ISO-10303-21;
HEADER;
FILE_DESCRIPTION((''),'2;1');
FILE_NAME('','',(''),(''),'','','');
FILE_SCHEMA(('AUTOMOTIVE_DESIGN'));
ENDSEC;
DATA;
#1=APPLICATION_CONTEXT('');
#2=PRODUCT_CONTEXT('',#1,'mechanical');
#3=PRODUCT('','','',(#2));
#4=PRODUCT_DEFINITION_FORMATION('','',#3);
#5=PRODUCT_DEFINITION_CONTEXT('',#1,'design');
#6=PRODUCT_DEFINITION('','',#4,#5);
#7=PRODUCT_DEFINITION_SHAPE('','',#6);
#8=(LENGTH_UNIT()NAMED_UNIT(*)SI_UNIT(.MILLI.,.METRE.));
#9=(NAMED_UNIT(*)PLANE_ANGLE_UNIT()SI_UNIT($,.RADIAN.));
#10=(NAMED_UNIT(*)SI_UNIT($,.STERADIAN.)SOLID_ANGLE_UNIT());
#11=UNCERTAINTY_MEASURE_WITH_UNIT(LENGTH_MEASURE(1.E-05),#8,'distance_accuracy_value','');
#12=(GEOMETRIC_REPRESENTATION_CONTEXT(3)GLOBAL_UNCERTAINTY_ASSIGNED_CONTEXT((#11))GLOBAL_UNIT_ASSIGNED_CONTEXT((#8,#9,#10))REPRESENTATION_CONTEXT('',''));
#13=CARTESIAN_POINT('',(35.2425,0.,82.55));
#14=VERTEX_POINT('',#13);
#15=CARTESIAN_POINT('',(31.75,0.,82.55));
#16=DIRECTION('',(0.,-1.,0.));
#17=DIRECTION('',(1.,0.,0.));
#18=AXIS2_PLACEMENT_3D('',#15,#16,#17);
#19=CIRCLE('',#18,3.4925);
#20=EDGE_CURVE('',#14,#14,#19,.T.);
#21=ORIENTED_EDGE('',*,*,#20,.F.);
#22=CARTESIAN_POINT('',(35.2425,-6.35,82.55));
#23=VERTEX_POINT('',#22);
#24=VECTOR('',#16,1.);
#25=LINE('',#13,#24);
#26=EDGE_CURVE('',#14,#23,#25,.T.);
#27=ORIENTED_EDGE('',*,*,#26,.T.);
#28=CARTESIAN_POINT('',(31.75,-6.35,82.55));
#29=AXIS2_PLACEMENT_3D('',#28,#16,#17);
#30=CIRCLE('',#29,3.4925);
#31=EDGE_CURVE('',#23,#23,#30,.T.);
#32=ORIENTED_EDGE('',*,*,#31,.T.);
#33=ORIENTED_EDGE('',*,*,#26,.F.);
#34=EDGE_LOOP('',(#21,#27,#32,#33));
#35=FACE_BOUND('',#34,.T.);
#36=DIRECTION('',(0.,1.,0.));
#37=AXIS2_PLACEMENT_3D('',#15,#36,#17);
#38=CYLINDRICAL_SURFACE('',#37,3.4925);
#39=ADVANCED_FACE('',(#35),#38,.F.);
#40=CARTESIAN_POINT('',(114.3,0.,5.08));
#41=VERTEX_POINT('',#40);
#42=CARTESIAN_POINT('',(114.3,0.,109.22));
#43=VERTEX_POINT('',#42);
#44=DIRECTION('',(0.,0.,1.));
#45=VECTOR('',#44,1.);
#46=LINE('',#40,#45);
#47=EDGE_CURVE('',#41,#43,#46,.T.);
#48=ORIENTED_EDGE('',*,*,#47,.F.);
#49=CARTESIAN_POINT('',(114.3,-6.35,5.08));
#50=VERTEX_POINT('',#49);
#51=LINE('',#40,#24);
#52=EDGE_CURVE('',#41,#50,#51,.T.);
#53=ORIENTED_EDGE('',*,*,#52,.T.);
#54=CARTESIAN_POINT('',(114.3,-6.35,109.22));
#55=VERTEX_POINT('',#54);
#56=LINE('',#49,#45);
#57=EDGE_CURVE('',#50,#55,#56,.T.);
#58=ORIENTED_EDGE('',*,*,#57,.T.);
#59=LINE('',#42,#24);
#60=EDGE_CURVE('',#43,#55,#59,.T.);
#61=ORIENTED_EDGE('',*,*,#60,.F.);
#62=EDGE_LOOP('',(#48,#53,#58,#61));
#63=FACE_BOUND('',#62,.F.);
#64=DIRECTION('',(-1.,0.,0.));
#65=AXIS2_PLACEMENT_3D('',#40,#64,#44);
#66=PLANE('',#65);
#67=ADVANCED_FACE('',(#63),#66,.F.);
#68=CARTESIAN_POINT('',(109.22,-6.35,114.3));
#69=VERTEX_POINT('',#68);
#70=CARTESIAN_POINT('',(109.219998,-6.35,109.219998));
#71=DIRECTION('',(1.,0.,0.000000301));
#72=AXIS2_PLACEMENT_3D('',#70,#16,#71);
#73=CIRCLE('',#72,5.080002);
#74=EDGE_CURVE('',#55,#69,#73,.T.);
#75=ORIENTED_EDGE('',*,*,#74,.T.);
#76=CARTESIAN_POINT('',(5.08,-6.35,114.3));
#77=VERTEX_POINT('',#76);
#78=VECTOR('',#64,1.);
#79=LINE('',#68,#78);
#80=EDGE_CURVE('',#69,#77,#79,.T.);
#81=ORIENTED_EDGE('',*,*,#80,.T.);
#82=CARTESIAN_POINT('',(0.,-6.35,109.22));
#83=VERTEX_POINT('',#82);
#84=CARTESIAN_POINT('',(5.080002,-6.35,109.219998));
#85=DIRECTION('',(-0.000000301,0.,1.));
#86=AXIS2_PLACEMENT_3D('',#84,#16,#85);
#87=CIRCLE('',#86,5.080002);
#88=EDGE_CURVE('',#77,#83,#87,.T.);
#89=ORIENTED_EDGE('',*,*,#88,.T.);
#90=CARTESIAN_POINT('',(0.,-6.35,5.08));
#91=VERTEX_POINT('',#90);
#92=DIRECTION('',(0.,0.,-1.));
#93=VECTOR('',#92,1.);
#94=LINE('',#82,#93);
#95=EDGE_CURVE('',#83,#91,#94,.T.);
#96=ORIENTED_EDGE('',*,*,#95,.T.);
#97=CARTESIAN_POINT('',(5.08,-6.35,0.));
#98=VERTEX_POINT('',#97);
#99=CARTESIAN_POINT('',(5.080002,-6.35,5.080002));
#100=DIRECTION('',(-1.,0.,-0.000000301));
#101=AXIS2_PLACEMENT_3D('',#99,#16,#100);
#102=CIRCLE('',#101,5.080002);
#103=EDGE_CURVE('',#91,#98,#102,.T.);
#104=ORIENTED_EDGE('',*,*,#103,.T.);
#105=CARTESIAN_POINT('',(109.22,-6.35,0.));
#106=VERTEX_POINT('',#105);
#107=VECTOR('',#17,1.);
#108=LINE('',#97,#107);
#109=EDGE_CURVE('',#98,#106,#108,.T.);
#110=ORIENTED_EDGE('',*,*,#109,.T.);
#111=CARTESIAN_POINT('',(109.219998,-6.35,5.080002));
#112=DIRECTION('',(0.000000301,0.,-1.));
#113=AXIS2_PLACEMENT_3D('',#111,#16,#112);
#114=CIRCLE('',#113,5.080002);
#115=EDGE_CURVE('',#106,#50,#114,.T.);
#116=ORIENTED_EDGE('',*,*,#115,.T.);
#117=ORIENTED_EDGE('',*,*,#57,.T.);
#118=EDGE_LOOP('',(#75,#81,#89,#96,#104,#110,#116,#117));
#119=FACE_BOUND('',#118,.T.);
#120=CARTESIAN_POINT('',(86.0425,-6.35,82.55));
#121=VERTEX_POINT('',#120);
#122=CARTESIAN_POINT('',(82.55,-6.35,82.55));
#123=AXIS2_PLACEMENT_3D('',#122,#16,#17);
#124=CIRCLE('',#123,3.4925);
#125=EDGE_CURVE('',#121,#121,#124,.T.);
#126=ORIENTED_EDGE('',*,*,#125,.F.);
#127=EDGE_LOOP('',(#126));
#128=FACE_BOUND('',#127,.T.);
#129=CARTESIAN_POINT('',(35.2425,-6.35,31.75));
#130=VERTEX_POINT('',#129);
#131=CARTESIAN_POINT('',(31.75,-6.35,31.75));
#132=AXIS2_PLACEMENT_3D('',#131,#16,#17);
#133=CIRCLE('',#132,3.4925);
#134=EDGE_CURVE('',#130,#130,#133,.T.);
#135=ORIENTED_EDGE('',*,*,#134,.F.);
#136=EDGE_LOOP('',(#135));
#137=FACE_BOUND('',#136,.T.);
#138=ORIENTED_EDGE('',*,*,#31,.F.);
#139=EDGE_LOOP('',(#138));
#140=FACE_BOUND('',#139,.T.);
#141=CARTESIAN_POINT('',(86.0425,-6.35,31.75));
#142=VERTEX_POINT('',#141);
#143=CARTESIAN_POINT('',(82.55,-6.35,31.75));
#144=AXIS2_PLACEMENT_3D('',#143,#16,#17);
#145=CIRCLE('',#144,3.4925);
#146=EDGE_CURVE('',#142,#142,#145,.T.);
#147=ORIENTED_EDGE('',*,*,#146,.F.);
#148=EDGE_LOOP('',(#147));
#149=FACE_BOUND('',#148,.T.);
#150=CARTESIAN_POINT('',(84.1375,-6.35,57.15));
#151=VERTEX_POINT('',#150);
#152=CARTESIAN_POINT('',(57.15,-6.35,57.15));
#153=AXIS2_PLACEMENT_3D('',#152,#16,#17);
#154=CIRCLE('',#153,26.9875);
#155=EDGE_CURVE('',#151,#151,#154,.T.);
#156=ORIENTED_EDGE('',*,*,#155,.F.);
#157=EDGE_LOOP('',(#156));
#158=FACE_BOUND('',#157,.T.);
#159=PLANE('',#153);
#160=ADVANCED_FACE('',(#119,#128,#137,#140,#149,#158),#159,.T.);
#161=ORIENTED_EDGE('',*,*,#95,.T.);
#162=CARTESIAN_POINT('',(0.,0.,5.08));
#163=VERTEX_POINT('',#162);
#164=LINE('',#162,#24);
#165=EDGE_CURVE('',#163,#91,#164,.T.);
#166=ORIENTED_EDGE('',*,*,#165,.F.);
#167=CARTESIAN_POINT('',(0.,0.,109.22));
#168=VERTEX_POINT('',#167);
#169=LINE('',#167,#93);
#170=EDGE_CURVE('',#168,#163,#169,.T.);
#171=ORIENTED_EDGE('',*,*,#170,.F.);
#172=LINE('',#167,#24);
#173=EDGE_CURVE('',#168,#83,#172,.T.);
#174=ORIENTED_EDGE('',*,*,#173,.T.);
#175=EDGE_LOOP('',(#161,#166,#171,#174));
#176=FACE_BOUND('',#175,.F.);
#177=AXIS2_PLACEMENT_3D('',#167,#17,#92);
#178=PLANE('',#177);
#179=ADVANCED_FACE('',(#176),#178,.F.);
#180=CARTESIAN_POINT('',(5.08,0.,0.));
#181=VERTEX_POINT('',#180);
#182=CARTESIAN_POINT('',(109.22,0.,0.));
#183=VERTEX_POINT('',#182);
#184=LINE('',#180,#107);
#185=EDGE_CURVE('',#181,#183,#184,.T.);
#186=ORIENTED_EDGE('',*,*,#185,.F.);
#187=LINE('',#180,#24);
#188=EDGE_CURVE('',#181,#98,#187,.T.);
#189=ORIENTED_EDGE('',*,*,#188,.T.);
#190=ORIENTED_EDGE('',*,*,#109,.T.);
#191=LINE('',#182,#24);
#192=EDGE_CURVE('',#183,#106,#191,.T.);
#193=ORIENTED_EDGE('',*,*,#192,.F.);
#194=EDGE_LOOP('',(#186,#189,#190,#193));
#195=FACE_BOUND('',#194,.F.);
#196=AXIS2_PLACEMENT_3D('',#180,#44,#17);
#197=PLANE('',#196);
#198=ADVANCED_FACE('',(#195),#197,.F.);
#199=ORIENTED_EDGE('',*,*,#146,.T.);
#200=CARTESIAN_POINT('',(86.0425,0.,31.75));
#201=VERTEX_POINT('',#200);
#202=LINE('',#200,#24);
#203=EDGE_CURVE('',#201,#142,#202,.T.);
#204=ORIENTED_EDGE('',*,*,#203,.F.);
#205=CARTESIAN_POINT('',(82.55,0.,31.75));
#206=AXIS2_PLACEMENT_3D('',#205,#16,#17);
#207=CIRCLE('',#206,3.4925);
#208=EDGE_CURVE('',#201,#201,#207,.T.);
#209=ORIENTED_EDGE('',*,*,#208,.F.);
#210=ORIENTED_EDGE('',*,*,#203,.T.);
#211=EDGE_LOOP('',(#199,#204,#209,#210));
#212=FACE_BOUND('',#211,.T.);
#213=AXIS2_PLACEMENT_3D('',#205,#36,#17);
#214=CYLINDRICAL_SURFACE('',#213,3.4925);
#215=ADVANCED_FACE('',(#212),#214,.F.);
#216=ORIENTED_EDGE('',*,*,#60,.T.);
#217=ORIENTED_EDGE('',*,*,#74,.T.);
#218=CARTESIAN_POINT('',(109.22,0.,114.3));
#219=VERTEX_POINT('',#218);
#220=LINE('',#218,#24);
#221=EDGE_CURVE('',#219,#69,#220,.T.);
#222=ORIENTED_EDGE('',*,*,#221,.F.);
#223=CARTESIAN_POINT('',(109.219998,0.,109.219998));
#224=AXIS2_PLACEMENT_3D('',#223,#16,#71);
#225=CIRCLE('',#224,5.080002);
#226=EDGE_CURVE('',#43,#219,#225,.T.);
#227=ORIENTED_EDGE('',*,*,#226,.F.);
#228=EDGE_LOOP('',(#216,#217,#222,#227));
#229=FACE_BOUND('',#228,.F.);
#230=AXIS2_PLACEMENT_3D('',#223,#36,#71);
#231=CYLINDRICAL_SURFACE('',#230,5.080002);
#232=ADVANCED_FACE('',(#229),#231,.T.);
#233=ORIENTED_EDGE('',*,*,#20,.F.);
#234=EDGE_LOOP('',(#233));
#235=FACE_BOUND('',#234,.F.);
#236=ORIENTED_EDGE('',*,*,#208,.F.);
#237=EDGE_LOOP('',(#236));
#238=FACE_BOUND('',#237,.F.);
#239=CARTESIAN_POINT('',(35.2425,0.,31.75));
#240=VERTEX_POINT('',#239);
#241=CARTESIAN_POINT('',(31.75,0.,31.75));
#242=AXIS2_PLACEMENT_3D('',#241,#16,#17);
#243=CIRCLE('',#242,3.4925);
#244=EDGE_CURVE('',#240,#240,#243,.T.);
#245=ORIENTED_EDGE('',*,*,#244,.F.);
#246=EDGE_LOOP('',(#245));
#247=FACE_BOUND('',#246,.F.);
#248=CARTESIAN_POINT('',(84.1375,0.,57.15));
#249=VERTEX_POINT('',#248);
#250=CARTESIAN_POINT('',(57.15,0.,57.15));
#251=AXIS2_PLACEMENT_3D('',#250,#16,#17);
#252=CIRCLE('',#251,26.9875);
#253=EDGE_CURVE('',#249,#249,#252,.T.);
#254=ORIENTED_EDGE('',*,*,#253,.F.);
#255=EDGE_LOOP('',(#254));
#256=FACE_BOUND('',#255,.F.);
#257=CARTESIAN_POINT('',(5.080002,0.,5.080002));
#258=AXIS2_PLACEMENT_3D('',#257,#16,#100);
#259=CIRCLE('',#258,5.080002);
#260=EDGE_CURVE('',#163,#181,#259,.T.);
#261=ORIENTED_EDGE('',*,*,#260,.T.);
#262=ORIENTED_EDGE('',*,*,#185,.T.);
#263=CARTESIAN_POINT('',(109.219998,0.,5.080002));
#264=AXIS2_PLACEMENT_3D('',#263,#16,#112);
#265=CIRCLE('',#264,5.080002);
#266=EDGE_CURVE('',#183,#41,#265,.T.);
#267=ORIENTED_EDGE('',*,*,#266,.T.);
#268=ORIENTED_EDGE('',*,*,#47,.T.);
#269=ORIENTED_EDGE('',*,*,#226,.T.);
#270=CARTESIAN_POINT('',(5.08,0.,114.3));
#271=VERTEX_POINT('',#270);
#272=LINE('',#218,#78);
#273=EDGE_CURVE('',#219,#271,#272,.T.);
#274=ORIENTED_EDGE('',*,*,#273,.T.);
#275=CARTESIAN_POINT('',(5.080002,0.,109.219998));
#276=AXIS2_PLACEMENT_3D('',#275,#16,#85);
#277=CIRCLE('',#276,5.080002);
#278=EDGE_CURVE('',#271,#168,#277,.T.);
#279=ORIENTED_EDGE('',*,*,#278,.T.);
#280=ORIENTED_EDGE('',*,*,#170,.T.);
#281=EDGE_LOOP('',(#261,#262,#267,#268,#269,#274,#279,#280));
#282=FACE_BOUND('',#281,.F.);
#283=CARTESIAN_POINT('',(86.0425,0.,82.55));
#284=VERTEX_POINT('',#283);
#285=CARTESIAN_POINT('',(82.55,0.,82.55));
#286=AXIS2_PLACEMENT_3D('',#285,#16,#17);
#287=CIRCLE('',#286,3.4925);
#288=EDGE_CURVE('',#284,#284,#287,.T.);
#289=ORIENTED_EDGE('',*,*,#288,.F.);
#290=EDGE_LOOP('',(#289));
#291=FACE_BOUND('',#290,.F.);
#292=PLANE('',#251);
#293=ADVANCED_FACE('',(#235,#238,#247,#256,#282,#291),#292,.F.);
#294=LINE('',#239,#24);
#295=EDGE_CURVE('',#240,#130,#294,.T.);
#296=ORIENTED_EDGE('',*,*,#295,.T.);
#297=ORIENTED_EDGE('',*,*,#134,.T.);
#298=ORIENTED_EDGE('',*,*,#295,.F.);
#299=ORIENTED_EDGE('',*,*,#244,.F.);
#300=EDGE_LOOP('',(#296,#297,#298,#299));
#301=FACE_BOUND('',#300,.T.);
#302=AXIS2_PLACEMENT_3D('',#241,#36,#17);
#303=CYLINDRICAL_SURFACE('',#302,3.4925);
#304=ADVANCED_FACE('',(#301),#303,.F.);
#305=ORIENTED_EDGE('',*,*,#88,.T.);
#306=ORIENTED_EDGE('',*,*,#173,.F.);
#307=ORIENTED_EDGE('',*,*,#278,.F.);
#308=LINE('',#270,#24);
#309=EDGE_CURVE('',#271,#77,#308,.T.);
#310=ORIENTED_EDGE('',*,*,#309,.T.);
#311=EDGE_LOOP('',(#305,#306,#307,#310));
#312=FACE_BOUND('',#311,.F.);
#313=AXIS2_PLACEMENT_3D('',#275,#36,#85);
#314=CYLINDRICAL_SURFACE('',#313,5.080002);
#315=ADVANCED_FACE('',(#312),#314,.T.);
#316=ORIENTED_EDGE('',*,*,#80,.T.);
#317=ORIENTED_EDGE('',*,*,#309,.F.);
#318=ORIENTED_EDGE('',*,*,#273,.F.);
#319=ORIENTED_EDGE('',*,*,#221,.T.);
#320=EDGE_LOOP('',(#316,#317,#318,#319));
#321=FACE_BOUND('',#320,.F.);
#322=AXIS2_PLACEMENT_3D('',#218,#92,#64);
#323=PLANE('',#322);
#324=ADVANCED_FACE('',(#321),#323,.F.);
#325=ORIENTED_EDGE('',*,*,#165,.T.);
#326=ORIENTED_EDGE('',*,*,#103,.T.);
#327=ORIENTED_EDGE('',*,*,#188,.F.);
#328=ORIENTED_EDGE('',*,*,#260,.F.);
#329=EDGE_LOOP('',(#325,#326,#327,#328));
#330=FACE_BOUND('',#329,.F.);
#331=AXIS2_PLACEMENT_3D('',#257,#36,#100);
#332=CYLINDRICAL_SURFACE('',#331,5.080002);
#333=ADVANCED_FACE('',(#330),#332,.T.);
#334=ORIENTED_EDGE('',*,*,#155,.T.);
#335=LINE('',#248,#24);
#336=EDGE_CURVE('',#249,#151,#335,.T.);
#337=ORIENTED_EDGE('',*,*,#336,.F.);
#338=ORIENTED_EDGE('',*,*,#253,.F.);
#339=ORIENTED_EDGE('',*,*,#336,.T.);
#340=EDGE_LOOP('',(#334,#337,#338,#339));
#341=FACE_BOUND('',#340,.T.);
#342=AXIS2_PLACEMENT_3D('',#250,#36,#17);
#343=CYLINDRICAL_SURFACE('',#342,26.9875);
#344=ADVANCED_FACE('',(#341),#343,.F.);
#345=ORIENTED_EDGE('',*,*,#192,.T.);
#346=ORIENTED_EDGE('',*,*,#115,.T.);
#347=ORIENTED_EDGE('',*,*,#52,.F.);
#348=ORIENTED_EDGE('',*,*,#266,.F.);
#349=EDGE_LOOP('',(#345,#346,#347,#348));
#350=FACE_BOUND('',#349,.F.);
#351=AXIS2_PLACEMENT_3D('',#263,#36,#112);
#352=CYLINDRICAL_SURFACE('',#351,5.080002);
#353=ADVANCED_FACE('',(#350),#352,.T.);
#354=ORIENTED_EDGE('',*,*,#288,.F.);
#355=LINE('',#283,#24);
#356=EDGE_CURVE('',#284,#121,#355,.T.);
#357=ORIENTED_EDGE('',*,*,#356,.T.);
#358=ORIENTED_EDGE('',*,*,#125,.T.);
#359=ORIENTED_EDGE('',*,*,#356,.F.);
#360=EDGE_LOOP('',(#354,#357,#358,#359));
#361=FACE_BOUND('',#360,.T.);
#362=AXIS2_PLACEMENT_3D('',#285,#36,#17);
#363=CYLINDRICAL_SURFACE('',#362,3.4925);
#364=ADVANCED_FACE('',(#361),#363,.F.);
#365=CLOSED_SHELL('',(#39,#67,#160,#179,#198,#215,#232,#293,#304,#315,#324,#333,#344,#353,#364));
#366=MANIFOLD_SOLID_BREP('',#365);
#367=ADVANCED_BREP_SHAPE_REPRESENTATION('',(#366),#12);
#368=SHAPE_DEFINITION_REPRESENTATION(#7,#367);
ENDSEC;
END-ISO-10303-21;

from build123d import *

# Parameters (mm, degrees)
F0_R     = 3.4925
F0_R_2   = 26.9875
F1_DEPTH = 6.35


with BuildPart() as f1:
    # F0 (on Front) → F1 (new body)
    with BuildSketch(Plane.XZ):
        with BuildLine():
            ThreePointArc((0, 5.08), (1.487898, 1.487898), (5.08, 0))
            Line((5.08, 0), (109.22, 0))
            ThreePointArc((109.22, 0), (112.812102, 1.487898), (114.3, 5.08))
            Line((114.3, 5.08), (114.3, 109.22))
            ThreePointArc((114.3, 109.22), (112.812102, 112.812102), (109.22, 114.3))
            Line((109.22, 114.3), (5.08, 114.3))
            ThreePointArc((5.08, 114.3), (1.487898, 112.812102), (0, 109.22))
            Line((0, 109.22), (0, 5.08))
        make_face()
        with Locations((31.75, 31.75)):
            Circle(F0_R, mode=Mode.SUBTRACT)
        with Locations((82.55, 31.75)):
            Circle(F0_R, mode=Mode.SUBTRACT)
        with Locations((57.15, 57.15)):
            Circle(F0_R_2, mode=Mode.SUBTRACT)
        with Locations((31.75, 82.55)):
            Circle(F0_R, mode=Mode.SUBTRACT)
        with Locations((82.55, 82.55)):
            Circle(F0_R, mode=Mode.SUBTRACT)
    extrude(amount=F1_DEPTH)


solid = f1.part
